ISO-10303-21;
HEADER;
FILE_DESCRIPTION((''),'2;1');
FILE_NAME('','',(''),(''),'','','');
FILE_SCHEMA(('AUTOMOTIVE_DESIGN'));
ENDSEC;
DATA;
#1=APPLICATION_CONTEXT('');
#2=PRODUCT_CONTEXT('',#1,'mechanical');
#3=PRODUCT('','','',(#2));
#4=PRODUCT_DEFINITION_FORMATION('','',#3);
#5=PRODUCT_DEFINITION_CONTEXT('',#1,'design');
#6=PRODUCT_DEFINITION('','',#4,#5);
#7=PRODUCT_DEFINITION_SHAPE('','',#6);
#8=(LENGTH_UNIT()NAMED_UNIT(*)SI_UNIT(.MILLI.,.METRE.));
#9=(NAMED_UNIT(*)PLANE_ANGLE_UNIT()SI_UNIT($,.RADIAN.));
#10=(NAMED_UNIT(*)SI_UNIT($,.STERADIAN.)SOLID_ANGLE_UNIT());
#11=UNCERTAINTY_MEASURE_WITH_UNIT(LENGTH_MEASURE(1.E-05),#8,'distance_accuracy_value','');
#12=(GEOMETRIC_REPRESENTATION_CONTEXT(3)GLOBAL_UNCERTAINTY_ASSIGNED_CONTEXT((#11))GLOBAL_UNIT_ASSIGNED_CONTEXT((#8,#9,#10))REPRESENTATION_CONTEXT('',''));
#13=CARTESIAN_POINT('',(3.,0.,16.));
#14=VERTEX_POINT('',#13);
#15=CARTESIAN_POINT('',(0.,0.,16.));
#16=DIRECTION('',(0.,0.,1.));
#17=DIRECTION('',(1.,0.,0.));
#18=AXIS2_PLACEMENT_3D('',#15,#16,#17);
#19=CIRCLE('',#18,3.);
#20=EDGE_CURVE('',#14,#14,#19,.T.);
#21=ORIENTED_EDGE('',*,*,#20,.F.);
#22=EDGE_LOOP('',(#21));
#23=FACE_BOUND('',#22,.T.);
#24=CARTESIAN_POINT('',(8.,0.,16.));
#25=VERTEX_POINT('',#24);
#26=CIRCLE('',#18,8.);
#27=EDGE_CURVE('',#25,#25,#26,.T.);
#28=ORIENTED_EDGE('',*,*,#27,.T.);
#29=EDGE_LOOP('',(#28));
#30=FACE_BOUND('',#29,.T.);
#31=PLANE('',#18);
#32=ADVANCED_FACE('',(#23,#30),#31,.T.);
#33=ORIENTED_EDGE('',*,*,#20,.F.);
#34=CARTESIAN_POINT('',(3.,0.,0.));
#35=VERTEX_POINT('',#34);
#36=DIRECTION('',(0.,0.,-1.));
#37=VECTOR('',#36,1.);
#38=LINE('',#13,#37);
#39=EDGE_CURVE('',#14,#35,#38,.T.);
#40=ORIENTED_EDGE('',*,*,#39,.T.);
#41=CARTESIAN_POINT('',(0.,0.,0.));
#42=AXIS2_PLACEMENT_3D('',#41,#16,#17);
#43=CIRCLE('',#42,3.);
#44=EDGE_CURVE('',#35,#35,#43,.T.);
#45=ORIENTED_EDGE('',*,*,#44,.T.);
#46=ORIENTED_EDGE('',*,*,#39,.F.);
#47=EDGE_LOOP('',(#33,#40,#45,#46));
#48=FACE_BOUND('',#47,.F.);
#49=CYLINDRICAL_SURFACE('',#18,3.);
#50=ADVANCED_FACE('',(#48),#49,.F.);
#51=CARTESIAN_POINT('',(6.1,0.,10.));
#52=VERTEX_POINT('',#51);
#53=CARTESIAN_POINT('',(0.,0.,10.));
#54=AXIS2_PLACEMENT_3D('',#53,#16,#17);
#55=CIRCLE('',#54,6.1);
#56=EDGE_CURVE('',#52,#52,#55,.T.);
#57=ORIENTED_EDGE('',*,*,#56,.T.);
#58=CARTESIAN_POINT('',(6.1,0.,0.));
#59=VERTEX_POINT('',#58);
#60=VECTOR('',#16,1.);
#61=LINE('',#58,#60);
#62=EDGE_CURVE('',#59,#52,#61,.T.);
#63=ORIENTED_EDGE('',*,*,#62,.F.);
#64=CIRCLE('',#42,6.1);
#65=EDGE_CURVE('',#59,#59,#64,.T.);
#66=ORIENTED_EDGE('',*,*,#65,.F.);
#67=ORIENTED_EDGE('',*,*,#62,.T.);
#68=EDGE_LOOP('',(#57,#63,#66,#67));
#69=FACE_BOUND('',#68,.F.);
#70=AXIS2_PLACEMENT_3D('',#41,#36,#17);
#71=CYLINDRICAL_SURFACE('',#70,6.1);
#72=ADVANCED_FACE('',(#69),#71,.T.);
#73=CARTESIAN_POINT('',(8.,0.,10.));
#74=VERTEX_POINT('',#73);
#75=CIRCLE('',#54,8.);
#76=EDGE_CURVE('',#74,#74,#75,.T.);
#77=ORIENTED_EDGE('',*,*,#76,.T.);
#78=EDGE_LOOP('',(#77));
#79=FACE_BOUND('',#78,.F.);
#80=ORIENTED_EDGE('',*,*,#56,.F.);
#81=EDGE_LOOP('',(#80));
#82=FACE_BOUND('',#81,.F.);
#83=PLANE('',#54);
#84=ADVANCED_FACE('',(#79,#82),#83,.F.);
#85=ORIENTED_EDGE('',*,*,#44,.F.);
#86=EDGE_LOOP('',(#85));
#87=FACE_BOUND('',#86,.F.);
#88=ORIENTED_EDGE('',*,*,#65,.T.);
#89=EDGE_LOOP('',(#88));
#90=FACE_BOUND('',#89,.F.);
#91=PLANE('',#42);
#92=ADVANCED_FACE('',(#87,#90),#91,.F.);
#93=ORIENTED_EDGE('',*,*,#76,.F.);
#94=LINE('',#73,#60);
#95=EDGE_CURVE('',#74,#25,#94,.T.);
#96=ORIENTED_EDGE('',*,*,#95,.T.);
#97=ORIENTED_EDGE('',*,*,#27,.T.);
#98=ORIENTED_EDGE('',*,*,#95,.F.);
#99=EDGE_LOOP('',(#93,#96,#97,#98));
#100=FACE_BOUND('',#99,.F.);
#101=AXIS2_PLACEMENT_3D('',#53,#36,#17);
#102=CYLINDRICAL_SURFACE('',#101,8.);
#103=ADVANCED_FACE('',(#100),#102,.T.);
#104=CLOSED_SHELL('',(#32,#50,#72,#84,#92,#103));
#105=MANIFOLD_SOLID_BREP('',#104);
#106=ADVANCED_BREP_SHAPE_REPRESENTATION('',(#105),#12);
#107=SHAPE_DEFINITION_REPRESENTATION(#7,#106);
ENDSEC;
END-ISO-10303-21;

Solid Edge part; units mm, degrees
sketch "Sketch1" plane through (0, 0, 0) normal (0, 0, 1) x (1, 0, 0)
  circle A0 centre (0, 0) radius 6.1
extrude "Protrusion1" add sketch "Sketch1" along normal blind 10
sketch "Sketch2" plane through (0, 0, 10) normal (0, 0, 1) x (1, 0, 0)
  circle A0 centre (0, 0) radius 8
extrude "ExtrudedProtrusion_2" add sketch "Sketch2" along normal blind 6
sketch "Sketch3" plane through (0, 0, 16) normal (0, 0, 1) x (1, 0, 0)
  circle A0 centre (0, 0) radius 3
  dimension "D1" = 6
  dimension "D2" = 16
extrude "Cutout1" cut sketch "Sketch3" against normal through all
properties material "ABS Plastic, medium impact"
